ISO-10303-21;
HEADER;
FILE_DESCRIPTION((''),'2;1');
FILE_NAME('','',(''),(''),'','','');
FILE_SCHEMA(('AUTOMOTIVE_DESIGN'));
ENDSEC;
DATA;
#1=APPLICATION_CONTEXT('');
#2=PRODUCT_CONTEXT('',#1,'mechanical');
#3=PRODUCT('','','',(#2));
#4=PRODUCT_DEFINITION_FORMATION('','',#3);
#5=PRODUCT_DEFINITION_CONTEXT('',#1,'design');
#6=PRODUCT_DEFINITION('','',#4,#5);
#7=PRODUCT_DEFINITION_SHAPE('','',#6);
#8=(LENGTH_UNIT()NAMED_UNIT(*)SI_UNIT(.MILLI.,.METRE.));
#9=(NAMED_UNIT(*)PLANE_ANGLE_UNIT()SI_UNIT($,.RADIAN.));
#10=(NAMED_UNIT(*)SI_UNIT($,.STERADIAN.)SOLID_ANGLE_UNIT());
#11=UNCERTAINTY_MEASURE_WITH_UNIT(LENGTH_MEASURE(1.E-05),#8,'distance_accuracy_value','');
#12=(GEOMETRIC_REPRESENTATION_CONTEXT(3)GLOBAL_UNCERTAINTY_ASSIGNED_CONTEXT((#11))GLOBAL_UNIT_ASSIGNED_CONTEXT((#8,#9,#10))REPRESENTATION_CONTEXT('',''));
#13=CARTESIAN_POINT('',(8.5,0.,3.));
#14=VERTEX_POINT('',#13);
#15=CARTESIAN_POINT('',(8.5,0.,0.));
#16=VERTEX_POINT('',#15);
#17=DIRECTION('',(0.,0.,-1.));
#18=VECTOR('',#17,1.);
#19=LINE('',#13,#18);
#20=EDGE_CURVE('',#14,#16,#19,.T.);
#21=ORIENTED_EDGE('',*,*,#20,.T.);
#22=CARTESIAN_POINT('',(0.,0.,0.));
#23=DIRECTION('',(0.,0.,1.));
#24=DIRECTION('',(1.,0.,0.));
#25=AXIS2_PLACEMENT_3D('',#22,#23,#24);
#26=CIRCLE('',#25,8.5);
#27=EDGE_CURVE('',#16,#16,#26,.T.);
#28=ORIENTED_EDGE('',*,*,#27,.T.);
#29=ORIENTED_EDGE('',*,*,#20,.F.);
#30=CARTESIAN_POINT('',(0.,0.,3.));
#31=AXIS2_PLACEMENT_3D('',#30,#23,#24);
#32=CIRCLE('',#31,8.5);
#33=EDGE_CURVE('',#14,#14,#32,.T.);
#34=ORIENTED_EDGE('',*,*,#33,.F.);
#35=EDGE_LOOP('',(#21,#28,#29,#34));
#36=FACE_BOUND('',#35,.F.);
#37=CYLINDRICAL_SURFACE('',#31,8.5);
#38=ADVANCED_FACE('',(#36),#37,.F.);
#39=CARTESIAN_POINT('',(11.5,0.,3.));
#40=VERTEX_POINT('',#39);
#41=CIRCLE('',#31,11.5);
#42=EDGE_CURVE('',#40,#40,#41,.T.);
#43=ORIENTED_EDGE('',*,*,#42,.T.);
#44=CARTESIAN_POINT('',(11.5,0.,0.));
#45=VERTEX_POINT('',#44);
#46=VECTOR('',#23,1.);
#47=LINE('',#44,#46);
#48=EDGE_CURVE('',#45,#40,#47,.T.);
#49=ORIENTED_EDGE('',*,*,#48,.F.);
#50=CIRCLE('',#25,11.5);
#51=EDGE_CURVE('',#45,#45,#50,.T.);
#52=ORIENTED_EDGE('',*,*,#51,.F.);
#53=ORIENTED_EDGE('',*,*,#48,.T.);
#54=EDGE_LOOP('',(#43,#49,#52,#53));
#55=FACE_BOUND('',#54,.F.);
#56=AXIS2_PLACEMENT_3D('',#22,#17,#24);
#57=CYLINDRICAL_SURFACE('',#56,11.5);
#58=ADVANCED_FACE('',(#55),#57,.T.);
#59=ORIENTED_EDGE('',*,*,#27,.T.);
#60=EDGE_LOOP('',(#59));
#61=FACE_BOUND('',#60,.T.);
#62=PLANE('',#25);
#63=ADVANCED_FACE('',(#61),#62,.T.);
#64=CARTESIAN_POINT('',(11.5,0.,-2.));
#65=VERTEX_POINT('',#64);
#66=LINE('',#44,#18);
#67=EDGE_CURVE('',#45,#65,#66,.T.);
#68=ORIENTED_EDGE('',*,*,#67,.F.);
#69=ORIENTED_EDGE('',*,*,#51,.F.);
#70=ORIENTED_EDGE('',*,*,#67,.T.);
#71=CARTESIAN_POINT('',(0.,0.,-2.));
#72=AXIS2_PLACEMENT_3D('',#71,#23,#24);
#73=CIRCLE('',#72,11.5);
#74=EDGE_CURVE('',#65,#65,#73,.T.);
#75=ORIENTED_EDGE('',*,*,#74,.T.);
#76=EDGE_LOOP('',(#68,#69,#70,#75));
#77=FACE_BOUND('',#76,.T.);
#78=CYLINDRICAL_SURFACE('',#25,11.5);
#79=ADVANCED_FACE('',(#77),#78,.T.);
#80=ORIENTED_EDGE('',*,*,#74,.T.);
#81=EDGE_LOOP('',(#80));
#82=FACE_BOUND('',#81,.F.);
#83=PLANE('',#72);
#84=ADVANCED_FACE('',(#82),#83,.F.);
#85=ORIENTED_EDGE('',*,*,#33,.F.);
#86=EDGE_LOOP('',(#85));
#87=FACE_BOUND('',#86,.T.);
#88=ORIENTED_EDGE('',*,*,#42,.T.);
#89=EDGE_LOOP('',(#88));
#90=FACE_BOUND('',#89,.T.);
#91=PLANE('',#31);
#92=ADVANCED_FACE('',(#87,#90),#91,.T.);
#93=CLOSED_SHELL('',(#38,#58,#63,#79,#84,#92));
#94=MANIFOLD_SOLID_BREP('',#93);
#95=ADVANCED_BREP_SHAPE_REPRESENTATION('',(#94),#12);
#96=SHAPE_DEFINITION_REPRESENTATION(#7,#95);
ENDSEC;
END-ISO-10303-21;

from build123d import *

# Parameters (mm, degrees)
F0_R     = 11.5
F1_DEPTH = 2
F2_R     = 11.5
F3_DEPTH = 3
F4_R     = 8.5
F5_DEPTH = 3


with BuildPart() as f1:
    # F0 (on Top) → F1 (new body)
    with BuildSketch(Plane.XY):
        Circle(F0_R)
    extrude(amount=-F1_DEPTH)

    # F2 (on face) → F3 (join)
    with BuildSketch(Plane.XY):
        Circle(F2_R)
    extrude(amount=F3_DEPTH)

    # F4 (on face) → F5 (cut)
    with BuildSketch(Plane.XY.offset(3)):
        Circle(F4_R)
    extrude(amount=-F5_DEPTH, mode=Mode.SUBTRACT)


solid = f1.part
